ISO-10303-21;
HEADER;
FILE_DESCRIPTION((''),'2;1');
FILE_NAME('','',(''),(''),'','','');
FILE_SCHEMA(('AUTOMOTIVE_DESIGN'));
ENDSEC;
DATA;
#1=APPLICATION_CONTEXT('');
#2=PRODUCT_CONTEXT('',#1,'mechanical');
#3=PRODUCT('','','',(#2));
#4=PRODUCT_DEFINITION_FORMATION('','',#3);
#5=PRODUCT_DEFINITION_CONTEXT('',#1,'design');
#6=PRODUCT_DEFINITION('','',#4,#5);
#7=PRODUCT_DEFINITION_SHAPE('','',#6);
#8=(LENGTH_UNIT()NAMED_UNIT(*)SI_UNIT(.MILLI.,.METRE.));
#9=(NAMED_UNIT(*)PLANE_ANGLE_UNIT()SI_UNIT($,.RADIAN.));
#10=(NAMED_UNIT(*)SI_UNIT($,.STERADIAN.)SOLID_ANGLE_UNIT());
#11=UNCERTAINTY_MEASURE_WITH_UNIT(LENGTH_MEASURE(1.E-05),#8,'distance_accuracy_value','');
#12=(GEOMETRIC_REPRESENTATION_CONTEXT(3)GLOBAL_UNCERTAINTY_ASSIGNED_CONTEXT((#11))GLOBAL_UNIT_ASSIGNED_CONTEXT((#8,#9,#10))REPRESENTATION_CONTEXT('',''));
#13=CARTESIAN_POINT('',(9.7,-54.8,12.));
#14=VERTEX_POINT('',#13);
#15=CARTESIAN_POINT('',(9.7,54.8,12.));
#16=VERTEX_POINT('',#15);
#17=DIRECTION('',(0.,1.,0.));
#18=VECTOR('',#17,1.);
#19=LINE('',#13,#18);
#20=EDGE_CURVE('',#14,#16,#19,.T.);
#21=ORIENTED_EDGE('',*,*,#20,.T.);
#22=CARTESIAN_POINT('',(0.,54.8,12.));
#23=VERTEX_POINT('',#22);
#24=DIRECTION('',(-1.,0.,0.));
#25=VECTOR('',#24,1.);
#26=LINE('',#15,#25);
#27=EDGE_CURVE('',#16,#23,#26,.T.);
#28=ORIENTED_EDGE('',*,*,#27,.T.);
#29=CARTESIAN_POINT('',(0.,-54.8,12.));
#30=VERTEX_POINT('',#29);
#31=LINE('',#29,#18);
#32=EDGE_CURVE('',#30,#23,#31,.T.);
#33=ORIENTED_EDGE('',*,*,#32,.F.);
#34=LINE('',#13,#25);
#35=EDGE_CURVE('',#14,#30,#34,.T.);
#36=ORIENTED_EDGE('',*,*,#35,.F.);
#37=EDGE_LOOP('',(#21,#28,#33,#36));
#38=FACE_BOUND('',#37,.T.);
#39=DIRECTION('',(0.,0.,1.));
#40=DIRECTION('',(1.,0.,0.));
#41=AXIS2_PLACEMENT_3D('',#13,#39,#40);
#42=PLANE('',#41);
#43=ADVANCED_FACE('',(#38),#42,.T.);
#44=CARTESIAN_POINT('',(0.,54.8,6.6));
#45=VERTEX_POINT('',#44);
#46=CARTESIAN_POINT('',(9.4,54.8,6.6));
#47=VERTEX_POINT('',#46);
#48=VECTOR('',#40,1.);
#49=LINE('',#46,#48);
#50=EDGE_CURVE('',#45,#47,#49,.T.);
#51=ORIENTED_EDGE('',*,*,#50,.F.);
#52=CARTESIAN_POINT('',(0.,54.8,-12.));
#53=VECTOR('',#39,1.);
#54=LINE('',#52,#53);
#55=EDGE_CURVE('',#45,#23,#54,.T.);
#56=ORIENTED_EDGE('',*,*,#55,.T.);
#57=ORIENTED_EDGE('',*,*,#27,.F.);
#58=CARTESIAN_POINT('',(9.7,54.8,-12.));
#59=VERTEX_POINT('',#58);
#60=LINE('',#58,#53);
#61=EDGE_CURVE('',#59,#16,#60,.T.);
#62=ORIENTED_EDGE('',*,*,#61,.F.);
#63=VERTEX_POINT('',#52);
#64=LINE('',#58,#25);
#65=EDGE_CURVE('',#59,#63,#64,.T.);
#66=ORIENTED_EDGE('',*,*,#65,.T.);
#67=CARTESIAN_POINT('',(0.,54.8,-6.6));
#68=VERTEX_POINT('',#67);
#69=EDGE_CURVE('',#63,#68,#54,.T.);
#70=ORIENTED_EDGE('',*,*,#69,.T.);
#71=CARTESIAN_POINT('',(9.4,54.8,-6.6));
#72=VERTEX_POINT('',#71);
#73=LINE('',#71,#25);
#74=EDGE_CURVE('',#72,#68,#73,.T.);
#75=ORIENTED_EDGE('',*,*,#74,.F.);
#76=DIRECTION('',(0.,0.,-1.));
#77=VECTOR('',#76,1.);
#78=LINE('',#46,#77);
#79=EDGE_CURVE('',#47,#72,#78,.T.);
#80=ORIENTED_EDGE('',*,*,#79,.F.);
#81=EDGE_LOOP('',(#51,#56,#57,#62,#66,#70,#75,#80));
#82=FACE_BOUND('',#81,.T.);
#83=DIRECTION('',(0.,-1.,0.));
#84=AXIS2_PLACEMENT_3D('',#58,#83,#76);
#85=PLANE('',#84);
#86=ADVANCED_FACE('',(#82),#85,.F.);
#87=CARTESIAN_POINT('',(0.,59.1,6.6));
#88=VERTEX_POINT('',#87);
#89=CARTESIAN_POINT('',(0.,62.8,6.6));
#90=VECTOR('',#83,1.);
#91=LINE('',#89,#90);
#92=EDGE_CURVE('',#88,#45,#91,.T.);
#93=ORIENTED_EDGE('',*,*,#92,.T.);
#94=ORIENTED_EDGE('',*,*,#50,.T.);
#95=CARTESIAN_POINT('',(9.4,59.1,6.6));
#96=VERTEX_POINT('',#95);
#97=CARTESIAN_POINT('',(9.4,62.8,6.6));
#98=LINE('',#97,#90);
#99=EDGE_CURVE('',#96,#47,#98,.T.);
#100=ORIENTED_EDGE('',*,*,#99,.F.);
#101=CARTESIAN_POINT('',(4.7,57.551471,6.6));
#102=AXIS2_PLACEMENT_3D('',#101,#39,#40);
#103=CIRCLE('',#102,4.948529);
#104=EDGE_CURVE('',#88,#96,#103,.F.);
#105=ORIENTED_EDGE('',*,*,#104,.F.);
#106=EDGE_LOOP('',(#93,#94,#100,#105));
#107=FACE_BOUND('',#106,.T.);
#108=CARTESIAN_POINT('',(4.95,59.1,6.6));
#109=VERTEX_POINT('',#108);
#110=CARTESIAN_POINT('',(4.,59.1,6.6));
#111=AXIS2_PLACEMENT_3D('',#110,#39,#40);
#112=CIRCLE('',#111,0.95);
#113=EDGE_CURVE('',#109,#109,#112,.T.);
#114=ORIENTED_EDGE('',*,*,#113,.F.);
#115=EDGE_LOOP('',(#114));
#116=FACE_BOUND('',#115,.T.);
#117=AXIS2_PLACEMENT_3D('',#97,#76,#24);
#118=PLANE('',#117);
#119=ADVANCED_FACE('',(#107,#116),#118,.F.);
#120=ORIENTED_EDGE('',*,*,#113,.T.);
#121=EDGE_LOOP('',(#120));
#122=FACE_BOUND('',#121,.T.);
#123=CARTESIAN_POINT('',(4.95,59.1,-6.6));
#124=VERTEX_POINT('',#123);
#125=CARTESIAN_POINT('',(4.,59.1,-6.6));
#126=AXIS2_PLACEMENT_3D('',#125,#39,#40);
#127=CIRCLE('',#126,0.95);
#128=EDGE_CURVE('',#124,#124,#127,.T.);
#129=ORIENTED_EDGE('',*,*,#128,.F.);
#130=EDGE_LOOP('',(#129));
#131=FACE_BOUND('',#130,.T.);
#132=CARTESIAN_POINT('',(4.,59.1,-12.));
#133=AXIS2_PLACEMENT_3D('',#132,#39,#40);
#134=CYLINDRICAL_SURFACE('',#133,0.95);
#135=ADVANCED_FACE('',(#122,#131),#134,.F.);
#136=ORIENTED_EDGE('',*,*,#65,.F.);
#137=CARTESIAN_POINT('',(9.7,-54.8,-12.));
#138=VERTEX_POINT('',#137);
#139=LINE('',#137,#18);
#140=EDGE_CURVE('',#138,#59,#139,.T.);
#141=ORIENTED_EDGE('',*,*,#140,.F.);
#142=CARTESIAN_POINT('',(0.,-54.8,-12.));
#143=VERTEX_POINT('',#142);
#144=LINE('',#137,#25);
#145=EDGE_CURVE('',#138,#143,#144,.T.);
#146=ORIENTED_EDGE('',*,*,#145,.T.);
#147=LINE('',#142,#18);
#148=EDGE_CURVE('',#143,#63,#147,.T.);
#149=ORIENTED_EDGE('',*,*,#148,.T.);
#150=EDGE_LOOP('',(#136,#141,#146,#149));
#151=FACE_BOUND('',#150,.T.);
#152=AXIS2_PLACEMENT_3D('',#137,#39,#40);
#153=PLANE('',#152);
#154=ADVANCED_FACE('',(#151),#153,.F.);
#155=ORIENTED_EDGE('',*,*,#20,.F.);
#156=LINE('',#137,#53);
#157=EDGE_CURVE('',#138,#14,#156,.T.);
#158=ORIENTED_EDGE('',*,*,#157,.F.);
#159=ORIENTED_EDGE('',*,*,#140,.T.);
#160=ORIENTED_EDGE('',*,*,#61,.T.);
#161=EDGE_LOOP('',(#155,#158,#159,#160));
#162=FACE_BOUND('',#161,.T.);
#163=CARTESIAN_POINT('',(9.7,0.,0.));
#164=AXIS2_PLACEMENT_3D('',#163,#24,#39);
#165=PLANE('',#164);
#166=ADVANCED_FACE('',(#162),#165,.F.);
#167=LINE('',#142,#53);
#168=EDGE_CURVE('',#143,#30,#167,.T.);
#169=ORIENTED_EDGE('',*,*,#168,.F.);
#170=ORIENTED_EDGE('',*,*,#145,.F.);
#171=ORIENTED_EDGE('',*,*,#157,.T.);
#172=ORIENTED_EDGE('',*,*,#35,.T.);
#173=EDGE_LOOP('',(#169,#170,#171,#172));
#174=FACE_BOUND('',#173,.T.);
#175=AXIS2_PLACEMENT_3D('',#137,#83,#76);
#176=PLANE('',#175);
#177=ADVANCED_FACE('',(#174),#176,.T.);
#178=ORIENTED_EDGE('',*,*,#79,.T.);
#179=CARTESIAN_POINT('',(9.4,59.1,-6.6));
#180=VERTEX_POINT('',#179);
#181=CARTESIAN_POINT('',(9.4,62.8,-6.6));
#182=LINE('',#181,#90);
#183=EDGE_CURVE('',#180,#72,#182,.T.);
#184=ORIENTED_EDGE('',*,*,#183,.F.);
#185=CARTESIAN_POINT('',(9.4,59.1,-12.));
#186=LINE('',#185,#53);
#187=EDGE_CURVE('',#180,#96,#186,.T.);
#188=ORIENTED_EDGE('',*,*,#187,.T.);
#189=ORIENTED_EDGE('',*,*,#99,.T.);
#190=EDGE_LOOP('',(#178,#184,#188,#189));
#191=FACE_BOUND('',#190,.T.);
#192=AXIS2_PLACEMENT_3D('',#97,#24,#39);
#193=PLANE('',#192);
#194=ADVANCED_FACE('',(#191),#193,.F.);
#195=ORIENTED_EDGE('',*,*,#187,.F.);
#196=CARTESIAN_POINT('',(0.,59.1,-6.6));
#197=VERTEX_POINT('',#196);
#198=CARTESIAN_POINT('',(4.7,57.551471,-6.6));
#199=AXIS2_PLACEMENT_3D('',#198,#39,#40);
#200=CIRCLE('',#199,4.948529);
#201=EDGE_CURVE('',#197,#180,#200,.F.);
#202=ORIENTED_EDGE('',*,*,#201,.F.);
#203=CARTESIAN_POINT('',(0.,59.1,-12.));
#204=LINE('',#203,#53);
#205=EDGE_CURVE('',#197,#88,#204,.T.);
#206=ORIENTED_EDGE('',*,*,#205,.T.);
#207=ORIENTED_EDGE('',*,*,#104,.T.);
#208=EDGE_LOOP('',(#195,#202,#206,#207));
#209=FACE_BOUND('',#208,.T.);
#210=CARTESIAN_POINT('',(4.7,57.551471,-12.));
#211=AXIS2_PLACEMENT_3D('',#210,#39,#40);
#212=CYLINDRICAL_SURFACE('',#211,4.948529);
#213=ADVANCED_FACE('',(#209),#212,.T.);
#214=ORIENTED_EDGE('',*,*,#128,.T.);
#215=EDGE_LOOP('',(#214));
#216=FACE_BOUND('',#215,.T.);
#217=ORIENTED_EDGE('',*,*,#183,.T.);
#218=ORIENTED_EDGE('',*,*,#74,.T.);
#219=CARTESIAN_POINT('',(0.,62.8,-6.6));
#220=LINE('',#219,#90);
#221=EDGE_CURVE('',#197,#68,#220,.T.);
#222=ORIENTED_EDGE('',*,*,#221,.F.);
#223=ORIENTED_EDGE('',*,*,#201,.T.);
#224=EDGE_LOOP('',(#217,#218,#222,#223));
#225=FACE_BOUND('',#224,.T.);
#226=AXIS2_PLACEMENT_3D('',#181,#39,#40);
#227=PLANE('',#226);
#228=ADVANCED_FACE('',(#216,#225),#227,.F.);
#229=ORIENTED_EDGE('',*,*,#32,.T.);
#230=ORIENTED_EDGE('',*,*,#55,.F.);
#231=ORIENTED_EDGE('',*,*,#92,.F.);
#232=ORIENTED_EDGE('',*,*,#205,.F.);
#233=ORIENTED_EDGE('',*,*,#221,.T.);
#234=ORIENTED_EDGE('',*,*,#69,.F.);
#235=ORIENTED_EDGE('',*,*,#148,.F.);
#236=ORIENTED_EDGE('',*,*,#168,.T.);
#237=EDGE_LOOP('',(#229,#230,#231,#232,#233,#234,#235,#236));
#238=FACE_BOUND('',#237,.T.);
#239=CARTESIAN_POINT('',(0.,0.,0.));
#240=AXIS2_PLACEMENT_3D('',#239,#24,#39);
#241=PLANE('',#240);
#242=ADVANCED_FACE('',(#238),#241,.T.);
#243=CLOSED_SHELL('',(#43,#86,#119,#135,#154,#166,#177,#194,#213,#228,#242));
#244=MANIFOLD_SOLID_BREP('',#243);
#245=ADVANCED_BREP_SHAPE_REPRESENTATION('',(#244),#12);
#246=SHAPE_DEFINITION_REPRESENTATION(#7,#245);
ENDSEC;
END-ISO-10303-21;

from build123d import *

# Parameters (mm, degrees)
SKETCH1_W           = 109.6
SKETCH1_H           = 24
BOSS_EXTRUDE1_DEPTH = 9.7
SKETCH3_W           = 9.4
SKETCH3_H           = 13.2
BOSS_EXTRUDE2_DEPTH = 8
SKETCH4_R           = 0.95
CUT_EXTRUDE1_DEPTH  = 67.210950756


with BuildPart() as part:
    # Sketch1 → Boss-Extrude1 (new body)
    with BuildSketch(Plane.YZ):
        Rectangle(SKETCH1_W, SKETCH1_H)
    extrude(amount=BOSS_EXTRUDE1_DEPTH)

    # Sketch3 → Boss-Extrude2 (add)
    with BuildSketch(Plane(origin=(0, 54.8, 0), x_dir=(-1, 0, 0), z_dir=(0, 1, 0))):
        with Locations((-4.7, 0)):
            Rectangle(SKETCH3_W, SKETCH3_H)
    extrude(amount=BOSS_EXTRUDE2_DEPTH)

    # Sketch4 → Cut-Extrude1 (cut, through all)
    with BuildSketch(Plane.XY.offset(6.6)):
        with BuildLine():
            Line((0, 62.8), (0, 59.1))
            ThreePointArc((0, 59.1), (4.7, 62.5), (9.4, 59.1))
            Line((9.4, 59.1), (9.4, 62.8))
            Line((9.4, 62.8), (0, 62.8))
        make_face()
        with Locations((4, 59.1)):
            Circle(SKETCH4_R)
    extrude(amount=-CUT_EXTRUDE1_DEPTH, mode=Mode.SUBTRACT)


solid = part.part
